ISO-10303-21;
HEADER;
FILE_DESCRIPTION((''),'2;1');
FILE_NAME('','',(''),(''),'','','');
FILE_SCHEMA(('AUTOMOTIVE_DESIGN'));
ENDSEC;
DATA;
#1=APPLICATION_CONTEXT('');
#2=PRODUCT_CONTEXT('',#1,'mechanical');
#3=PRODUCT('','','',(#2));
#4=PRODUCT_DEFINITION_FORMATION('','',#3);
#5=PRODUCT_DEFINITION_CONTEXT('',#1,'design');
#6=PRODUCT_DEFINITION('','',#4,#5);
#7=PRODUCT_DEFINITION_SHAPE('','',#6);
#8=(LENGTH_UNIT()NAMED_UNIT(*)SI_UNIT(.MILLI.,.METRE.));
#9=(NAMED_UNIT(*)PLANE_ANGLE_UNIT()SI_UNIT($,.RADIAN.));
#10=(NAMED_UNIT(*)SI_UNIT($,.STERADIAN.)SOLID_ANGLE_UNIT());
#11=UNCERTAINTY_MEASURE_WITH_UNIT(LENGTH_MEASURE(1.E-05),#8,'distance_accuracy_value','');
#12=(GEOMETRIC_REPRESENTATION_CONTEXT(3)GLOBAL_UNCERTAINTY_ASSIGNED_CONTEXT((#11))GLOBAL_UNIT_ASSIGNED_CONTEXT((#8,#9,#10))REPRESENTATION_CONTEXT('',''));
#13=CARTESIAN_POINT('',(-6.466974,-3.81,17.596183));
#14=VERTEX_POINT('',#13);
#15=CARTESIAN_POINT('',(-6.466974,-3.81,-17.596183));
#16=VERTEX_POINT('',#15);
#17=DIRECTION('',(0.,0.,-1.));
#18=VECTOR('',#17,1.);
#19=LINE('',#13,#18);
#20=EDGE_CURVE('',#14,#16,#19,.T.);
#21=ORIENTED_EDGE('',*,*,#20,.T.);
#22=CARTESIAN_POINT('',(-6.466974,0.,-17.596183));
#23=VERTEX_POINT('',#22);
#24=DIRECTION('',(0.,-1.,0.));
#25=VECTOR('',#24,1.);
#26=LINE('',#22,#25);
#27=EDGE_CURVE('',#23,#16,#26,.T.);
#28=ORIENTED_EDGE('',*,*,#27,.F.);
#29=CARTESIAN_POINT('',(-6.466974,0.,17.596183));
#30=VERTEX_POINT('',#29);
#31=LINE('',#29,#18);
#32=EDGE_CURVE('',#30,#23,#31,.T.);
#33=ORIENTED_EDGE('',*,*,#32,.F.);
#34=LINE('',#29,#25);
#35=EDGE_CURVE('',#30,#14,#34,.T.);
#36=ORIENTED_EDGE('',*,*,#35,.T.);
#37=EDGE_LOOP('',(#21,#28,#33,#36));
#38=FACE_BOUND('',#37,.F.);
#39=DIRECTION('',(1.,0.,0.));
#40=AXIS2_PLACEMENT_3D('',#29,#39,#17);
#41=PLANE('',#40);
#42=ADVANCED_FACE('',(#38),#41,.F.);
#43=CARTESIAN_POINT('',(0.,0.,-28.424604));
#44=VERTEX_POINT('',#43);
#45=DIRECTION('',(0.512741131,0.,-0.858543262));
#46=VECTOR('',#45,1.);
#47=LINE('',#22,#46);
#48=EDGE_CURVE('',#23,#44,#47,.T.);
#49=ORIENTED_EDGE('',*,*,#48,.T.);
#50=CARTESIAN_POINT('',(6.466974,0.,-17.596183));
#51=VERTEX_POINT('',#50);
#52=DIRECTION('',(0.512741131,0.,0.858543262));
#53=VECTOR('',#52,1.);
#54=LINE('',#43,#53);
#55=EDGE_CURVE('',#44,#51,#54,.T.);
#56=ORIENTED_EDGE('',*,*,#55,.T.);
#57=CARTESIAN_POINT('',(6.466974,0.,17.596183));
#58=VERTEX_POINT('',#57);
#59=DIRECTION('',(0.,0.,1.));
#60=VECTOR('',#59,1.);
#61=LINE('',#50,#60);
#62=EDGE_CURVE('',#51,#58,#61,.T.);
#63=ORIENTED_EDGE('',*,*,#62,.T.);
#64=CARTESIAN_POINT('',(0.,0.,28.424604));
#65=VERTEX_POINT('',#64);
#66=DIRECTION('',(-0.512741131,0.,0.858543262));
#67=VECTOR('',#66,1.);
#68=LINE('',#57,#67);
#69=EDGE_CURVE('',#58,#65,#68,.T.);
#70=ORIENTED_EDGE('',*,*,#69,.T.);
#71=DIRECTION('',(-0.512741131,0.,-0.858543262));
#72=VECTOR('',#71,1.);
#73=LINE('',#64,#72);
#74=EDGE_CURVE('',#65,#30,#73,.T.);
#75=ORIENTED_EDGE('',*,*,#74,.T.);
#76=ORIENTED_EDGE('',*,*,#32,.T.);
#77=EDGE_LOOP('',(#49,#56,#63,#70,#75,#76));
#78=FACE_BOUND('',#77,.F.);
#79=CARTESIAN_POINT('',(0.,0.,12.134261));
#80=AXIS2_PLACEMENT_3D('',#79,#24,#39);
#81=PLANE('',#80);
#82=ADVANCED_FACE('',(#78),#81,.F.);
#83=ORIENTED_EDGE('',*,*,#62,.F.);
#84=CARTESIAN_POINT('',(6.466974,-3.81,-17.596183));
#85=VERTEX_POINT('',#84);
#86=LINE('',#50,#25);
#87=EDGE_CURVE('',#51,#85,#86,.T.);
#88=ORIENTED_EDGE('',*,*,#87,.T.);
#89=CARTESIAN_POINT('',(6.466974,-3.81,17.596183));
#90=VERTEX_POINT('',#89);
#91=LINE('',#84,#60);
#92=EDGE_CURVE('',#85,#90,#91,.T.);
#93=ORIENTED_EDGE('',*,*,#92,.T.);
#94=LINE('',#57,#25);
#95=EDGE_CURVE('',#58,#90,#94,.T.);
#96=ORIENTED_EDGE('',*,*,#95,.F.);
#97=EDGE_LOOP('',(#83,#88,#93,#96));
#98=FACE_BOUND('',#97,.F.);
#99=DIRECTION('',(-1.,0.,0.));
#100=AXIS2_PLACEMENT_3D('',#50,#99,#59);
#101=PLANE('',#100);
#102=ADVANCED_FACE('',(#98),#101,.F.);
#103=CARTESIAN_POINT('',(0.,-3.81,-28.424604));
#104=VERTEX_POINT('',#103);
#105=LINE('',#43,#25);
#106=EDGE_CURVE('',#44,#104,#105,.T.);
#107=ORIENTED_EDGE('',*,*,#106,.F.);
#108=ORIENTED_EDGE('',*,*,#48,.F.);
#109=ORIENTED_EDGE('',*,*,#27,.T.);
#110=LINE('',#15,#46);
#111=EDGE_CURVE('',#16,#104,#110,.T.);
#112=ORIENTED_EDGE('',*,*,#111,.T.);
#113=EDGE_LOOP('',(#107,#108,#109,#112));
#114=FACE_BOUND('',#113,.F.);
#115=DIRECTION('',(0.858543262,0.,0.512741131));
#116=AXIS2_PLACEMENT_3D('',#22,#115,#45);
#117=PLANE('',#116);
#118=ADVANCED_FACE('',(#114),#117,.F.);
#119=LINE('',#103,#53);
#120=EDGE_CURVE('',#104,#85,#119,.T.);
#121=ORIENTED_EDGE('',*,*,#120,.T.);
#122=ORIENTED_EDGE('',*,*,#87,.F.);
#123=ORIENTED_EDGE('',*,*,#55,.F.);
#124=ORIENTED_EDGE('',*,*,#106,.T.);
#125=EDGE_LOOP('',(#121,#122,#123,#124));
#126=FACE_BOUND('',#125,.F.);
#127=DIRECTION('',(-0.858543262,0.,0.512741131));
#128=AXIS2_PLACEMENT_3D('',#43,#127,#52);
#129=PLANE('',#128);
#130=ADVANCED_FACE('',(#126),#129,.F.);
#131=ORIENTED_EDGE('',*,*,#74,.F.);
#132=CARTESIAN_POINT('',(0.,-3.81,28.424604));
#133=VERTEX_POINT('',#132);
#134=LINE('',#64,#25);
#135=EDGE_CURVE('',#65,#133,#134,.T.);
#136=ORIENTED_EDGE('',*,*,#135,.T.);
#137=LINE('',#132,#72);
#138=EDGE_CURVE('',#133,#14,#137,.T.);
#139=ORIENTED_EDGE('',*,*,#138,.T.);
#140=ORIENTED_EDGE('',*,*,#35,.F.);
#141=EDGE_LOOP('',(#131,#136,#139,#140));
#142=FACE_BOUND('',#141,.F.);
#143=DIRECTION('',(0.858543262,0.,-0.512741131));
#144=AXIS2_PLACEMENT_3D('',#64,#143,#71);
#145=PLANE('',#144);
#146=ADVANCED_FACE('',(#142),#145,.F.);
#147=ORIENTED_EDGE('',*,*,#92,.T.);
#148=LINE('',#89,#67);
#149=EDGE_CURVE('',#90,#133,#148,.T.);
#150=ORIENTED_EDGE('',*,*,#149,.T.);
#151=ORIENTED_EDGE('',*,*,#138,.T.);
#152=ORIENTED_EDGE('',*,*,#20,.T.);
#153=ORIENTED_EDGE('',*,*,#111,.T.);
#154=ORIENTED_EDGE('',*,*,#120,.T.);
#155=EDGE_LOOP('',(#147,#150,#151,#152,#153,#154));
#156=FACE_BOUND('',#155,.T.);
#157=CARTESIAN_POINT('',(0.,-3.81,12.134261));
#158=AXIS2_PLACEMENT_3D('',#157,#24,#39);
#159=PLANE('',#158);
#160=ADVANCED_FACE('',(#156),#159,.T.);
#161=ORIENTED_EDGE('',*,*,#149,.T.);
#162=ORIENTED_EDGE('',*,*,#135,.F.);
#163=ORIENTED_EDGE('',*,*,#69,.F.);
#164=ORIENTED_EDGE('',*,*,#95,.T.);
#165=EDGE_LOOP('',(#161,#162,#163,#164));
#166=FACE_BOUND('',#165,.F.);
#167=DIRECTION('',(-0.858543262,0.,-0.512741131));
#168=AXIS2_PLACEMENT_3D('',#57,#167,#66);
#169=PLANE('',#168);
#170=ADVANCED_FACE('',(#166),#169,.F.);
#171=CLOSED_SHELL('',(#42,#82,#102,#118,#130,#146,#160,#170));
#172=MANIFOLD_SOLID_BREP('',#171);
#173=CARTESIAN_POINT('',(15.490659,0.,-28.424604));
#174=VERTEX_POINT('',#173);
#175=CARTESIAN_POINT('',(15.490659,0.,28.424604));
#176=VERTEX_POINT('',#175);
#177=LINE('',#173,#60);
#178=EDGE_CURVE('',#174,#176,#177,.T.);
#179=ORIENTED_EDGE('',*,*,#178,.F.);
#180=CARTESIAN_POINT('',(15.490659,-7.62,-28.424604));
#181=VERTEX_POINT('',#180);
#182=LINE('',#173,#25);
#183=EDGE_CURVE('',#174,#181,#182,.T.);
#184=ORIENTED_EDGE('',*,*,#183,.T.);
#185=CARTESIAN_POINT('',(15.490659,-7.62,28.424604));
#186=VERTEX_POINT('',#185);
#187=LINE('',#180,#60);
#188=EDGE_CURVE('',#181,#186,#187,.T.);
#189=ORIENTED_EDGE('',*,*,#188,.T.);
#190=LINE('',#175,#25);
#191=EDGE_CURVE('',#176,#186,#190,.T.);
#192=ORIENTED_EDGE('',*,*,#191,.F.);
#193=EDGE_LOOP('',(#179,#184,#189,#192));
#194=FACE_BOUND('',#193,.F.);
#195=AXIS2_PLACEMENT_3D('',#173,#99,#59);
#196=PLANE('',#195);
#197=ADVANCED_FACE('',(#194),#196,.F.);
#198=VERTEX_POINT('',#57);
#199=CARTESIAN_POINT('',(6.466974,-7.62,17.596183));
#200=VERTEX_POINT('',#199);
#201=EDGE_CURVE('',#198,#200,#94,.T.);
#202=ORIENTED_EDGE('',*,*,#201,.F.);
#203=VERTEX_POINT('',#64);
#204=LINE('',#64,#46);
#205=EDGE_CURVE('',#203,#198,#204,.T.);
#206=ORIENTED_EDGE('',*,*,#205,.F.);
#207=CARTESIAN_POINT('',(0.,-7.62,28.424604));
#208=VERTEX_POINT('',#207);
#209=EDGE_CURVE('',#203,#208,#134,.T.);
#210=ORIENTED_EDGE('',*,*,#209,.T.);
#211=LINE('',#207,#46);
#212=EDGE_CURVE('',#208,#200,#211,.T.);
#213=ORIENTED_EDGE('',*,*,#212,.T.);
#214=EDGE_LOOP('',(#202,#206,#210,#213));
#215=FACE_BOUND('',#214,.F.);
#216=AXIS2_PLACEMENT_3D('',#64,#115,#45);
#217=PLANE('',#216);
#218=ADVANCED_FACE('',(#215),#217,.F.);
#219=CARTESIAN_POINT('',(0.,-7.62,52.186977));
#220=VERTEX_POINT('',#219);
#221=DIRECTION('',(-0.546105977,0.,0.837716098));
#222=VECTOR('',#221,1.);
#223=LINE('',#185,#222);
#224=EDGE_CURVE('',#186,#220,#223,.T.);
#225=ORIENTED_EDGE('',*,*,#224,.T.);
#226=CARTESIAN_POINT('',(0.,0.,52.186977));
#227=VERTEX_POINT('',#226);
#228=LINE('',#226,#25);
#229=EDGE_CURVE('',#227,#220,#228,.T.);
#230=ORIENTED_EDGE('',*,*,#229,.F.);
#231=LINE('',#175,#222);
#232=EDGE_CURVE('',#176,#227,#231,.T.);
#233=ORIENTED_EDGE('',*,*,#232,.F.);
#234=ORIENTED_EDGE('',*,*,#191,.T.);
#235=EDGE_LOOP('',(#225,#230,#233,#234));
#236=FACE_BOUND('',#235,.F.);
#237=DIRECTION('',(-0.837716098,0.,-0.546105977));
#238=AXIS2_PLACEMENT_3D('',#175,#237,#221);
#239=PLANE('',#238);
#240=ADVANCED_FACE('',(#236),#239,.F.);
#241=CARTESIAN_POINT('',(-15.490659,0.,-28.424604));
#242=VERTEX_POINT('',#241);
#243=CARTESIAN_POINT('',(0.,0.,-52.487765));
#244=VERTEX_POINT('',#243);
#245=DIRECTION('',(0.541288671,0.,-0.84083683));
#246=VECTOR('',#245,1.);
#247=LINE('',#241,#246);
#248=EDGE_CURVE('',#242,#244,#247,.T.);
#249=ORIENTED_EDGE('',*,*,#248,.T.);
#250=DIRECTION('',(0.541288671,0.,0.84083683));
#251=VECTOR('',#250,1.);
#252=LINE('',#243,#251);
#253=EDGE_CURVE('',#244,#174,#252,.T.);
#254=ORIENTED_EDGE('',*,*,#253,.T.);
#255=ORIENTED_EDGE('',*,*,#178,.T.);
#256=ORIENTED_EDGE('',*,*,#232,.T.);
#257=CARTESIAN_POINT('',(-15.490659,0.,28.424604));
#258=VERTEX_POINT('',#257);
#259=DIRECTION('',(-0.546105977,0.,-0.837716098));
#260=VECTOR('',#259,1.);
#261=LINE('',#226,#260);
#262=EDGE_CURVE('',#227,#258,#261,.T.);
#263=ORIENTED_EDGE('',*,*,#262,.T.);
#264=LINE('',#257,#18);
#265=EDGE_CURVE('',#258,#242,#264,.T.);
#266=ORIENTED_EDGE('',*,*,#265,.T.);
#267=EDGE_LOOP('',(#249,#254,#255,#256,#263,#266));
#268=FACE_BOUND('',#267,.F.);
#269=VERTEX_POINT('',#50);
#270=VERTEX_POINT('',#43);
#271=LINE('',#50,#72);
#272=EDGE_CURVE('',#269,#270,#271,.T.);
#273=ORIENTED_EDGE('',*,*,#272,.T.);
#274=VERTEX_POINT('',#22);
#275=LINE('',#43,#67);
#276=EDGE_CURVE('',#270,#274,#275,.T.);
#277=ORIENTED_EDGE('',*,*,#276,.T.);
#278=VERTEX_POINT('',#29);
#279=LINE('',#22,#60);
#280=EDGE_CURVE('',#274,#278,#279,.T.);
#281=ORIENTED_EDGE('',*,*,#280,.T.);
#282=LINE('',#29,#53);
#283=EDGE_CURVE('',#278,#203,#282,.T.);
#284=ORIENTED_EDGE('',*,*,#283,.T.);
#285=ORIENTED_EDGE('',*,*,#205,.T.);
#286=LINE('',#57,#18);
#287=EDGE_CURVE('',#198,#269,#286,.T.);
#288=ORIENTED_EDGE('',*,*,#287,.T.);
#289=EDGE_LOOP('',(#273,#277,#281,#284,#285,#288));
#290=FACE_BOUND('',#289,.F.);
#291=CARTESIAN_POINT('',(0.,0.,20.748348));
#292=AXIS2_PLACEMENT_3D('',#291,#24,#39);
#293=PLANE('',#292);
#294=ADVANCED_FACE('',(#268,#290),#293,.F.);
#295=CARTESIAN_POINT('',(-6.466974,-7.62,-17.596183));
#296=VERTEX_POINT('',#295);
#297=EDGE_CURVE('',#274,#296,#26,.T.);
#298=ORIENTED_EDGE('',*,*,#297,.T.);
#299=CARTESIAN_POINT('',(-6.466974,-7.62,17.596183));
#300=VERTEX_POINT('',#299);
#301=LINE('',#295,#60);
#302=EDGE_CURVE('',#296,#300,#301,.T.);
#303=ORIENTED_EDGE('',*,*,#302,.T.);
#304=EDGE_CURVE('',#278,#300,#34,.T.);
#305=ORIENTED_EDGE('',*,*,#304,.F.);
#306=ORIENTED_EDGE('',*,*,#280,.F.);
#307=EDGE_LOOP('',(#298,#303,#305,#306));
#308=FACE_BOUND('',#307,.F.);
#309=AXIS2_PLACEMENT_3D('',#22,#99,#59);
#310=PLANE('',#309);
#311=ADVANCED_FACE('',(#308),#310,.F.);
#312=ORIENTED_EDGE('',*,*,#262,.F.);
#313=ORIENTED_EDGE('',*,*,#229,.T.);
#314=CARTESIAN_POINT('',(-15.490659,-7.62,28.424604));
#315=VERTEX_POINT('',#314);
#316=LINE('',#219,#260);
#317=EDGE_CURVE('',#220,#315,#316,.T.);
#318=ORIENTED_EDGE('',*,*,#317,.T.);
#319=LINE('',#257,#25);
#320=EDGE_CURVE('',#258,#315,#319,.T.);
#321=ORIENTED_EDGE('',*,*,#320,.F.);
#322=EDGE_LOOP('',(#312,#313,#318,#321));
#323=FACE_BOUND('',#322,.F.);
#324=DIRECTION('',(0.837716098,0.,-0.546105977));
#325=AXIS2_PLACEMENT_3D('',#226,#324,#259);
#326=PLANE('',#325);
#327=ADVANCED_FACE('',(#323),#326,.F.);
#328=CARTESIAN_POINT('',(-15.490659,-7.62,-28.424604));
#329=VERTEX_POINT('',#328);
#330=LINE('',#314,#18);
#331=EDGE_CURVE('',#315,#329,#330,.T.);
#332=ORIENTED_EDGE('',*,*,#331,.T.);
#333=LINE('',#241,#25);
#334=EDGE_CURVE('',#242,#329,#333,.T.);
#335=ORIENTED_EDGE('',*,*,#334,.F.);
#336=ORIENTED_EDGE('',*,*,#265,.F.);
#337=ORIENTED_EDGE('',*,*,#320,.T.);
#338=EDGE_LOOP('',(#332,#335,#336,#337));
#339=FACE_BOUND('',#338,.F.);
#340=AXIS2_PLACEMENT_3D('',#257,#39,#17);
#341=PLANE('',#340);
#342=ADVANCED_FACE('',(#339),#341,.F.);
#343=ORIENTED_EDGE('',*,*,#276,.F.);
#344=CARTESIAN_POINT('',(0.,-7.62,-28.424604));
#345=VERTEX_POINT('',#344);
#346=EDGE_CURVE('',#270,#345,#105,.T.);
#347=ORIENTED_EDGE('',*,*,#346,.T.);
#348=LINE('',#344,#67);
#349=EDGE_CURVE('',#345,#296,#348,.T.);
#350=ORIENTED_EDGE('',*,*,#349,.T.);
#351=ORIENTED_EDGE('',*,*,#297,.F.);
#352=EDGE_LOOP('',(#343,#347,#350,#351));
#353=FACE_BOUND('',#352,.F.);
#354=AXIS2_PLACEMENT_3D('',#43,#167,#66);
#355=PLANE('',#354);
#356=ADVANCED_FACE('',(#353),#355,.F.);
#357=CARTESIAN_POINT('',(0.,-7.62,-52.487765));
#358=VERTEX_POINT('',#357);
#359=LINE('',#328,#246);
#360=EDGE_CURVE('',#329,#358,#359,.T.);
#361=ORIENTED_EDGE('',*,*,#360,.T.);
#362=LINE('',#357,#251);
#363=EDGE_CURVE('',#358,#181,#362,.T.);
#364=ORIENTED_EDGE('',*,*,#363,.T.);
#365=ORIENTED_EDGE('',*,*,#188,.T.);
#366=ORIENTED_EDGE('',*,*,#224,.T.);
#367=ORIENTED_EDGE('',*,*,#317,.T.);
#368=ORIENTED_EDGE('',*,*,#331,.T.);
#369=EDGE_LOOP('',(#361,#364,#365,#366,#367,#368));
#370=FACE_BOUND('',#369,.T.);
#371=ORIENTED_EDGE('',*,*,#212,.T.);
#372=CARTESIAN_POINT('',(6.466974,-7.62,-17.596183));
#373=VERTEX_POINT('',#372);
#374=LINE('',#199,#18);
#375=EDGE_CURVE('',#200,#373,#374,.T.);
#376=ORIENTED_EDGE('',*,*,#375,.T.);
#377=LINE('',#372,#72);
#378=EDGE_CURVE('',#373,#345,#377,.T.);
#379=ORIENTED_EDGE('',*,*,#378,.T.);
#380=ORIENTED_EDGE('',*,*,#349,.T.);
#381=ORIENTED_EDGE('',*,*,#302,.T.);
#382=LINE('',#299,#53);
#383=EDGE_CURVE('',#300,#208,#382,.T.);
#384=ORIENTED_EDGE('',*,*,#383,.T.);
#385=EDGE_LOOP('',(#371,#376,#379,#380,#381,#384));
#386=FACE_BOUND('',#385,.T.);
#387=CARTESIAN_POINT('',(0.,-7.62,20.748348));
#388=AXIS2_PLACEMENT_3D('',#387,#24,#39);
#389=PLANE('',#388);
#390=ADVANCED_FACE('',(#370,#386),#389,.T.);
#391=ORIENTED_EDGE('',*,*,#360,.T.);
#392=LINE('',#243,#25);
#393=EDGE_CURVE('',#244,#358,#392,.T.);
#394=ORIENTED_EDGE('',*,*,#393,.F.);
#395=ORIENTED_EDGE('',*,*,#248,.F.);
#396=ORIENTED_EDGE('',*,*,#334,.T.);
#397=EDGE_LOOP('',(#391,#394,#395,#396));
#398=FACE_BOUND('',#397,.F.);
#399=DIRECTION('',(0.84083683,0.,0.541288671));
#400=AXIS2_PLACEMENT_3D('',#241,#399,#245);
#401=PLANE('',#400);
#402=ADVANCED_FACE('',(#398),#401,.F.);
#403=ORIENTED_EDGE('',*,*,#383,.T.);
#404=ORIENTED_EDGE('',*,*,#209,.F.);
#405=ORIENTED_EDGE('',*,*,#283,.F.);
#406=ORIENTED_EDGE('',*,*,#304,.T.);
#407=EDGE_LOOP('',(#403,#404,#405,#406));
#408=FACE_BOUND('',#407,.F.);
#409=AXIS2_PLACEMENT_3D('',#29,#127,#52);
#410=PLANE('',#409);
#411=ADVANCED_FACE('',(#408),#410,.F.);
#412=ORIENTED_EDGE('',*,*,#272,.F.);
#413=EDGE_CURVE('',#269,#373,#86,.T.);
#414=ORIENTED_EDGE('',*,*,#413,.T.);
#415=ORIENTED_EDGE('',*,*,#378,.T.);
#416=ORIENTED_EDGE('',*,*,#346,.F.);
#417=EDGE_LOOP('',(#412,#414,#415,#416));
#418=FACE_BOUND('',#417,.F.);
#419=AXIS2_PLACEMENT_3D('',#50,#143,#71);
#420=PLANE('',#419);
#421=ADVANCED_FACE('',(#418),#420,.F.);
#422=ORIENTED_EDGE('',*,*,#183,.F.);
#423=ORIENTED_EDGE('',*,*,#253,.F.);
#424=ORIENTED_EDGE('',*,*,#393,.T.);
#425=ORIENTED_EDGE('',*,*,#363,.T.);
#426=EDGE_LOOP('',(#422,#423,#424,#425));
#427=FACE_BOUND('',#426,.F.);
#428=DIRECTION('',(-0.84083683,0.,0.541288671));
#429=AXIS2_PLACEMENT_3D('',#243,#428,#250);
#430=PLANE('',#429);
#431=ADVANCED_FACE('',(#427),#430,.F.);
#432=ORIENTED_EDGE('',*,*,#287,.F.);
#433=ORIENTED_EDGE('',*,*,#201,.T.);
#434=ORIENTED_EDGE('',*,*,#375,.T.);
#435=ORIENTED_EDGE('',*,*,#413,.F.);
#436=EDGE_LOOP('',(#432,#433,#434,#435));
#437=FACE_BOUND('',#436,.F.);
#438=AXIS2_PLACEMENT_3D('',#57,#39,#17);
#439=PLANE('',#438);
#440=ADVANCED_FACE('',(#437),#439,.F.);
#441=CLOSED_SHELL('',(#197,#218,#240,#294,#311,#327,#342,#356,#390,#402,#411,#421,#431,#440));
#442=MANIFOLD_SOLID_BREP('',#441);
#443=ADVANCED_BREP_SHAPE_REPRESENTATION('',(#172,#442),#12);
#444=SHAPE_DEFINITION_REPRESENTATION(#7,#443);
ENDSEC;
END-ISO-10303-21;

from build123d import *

# Parameters (mm, degrees)
F1_DEPTH = 7.62
F2_DEPTH = 3.81


with BuildPart() as f1:
    # F0 (on Front) → F1 (new body)
    with BuildSketch(Plane.XZ):
        Polygon((0, 52.1869771183), (-15.4906585813, 28.4246038646), (-15.4906585813, 0), (-6.466973573, 0), (-6.466973573, 17.5961833447), (0, 28.4246038646), (6.466973573, 17.5961833447), (6.466973573, 0), (15.4906585813, 0), (15.4906585813, 28.4246038646), align=None)
        Polygon((-6.466973573, 0), (-15.4906585813, 0), (-15.4906585813, -28.4246038646), (0, -52.4877645075), (15.4906585813, -28.4246038646), (15.4906585813, 0), (6.466973573, 0), (6.466973573, -17.5961833447), (0, -28.4246038646), (-6.466973573, -17.5961833447), align=None)
    extrude(amount=F1_DEPTH)


with BuildPart() as f2:
    # F0 (on Front) → F2 (new body)
    with BuildSketch(Plane.XZ):
        Polygon((-6.466973573, 17.5961833447), (-6.466973573, 0), (6.466973573, 0), (6.466973573, 17.5961833447), (0, 28.4246038646), align=None)
        Polygon((6.466973573, 0), (-6.466973573, 0), (-6.466973573, -17.5961833447), (0, -28.4246038646), (6.466973573, -17.5961833447), align=None)
    extrude(amount=F2_DEPTH)


solid = Compound([f1.part, f2.part])
